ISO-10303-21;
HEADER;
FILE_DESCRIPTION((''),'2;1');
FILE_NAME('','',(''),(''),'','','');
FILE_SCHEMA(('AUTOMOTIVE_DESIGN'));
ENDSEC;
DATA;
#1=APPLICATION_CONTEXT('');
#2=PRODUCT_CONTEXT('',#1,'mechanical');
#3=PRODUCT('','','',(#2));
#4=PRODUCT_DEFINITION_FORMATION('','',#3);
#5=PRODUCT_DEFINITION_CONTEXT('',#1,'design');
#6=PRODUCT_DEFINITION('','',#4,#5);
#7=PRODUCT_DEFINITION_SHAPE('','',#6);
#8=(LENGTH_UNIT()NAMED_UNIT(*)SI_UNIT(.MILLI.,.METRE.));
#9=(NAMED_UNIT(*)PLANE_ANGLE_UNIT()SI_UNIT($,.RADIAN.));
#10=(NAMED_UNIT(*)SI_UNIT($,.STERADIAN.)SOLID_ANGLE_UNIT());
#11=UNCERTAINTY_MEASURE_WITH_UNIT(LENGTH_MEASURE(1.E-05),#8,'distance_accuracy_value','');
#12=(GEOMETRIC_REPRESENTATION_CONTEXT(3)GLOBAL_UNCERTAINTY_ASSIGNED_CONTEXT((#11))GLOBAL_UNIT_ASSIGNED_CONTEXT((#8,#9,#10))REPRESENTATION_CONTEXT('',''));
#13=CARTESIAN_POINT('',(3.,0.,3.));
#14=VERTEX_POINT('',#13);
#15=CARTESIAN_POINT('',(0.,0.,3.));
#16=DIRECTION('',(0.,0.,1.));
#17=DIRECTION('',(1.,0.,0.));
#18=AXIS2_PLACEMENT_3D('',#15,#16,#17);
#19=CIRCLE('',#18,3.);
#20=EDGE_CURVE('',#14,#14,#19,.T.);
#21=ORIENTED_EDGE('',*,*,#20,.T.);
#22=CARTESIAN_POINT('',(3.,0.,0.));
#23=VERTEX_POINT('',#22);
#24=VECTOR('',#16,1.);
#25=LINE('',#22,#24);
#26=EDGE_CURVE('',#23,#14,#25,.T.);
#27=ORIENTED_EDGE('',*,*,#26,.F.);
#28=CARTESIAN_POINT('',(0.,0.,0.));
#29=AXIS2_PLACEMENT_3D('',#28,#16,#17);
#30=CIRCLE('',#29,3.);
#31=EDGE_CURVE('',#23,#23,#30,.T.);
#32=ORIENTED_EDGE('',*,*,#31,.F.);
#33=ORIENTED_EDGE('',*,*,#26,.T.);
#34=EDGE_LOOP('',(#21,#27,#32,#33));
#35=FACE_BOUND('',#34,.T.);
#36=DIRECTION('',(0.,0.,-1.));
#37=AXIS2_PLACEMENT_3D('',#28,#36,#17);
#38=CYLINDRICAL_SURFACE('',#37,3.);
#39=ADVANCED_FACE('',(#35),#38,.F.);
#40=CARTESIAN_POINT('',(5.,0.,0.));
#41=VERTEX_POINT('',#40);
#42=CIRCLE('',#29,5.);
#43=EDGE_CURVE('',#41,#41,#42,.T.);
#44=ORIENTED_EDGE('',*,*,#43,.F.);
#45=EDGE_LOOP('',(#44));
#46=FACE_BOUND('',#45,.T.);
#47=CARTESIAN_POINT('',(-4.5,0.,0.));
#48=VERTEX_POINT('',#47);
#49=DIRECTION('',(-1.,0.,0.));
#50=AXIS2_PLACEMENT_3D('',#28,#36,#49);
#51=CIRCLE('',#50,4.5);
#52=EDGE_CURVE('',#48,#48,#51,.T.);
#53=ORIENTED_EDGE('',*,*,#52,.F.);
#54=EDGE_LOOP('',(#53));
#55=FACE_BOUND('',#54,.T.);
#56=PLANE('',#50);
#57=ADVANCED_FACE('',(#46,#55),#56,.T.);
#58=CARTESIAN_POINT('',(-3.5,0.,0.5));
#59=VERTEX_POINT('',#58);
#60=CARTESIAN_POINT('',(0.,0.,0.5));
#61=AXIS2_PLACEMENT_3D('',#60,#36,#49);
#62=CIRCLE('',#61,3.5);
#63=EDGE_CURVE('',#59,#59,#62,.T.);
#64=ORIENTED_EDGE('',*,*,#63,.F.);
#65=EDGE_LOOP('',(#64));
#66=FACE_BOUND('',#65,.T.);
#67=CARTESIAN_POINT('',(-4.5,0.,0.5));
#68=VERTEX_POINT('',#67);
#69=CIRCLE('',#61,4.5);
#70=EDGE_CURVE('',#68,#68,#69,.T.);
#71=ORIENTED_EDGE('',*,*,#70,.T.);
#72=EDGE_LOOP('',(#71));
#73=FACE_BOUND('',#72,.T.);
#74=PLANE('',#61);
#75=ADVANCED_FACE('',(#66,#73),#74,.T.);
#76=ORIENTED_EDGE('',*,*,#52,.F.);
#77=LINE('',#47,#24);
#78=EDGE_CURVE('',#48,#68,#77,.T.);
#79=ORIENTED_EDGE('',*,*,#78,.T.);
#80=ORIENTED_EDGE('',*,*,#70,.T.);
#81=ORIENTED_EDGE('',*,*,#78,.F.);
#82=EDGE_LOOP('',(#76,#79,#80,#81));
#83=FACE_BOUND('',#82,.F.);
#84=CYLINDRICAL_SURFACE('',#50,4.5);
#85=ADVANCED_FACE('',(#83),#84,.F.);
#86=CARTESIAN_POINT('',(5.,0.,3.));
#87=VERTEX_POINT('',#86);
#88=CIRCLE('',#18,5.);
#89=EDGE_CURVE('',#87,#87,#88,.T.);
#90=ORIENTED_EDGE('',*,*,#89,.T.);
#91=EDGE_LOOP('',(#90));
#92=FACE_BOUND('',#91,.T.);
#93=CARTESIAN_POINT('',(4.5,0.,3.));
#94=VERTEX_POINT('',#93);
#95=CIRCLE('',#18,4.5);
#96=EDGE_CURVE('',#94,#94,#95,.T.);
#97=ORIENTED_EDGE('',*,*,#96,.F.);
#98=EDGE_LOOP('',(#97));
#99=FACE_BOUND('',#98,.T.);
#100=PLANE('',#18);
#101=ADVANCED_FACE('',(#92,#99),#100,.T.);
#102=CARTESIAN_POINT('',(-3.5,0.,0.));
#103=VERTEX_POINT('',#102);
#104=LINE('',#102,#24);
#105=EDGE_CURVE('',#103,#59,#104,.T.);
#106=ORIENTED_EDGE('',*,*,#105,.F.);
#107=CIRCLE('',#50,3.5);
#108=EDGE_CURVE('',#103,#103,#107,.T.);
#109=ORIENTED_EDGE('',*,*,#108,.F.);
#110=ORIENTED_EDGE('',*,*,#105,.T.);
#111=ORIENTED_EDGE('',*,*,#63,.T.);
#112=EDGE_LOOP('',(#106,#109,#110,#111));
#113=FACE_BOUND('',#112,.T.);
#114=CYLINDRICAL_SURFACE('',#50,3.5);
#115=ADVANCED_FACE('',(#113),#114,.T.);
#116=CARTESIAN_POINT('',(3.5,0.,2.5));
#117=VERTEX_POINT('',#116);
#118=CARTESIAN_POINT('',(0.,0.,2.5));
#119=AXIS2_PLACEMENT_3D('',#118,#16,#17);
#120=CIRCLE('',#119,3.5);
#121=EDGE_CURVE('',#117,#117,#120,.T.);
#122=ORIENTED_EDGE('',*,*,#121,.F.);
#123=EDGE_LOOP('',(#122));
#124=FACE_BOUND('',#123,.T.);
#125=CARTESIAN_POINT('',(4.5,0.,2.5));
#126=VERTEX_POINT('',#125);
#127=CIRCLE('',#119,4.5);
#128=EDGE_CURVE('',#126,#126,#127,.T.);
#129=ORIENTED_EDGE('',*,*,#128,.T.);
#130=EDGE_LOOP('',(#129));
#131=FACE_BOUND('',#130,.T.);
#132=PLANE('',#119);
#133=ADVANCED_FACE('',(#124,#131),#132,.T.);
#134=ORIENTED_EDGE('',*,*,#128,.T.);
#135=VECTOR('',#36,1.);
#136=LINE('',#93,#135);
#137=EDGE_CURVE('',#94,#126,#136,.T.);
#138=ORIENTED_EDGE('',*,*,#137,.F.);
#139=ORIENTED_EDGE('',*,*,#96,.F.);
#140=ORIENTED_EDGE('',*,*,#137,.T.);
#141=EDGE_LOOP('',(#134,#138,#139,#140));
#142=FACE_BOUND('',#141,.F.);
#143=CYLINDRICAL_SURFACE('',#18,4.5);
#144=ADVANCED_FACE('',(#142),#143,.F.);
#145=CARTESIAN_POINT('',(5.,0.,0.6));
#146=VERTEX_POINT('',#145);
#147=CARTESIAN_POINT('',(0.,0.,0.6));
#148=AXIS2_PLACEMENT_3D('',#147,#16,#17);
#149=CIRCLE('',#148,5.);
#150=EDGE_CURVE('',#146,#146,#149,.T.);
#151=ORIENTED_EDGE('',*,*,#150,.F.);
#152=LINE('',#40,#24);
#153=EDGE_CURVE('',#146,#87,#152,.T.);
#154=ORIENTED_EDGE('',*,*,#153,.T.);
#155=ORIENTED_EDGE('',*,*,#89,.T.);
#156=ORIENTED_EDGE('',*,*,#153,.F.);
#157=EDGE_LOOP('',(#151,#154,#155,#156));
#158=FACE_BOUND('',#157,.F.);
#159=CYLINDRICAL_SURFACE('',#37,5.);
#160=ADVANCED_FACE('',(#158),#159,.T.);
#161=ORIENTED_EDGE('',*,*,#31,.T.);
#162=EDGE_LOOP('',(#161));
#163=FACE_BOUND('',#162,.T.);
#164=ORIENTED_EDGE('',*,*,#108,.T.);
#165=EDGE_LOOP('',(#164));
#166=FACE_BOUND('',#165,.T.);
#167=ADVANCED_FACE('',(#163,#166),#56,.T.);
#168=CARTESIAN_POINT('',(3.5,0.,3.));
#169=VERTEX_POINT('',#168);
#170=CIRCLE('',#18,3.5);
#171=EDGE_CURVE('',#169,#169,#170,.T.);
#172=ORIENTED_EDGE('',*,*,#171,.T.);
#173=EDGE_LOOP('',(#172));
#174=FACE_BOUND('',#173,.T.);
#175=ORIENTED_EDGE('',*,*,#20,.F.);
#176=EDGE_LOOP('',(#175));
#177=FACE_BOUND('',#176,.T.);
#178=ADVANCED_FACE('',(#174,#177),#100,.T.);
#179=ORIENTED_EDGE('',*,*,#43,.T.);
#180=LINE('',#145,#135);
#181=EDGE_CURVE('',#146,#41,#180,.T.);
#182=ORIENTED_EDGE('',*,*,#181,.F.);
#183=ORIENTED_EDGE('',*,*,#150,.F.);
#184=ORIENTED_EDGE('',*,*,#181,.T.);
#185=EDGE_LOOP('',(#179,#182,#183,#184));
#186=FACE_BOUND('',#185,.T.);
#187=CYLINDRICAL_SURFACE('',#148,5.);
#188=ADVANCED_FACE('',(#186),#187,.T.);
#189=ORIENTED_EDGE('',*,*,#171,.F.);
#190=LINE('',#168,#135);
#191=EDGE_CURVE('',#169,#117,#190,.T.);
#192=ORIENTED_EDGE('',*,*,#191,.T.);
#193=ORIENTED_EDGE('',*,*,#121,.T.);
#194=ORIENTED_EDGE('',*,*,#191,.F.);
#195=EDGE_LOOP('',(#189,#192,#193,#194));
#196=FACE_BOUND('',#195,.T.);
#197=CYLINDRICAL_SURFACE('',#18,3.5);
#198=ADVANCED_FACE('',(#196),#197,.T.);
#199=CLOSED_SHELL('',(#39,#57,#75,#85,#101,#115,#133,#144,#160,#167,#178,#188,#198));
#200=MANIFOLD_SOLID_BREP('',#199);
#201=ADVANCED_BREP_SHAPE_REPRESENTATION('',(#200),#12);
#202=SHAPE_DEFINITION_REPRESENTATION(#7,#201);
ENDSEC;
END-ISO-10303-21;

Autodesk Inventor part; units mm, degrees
ref_plane "YZ Plane" through (0, 0, 0) normal (1, 0, 0) x (0, 1, 0)
ref_plane "XZ Plane" through (0, 0, 0) normal (0, 1, 0) x (-1, 0, 0)
ref_plane "XY Plane" through (0, 0, 0) normal (0, 0, 1) x (1, 0, 0)
sketch "スケッチ1" plane through (0, 0, 0) normal (0, 0, 1) x (1, 0, 0)
  circle A0 centre (0, 0) radius 3
  circle A1 centre (0, 0) radius 5
  dimension "d0" = 6
  dimension "d1" = 10
extrude "押し出し1" add sketch "スケッチ1" along normal blind 3
sketch "スケッチ2" plane through (0, 0, 0) normal (0, 0, -1) x (-1, 0, 0)
  circle A0 centre (0, 0) radius 3 projected
  circle A1 centre (0, 0) radius 5 projected
  circle A2 centre (0, 0) radius 5.6
  dimension "d4" = 11.2
extrude "押し出し2" add sketch "スケッチ2" against normal blind 0.6 contours A2
sketch "スケッチ3" plane through (0, 0, 3) normal (0, 0, 1) x (1, 0, 0)
  circle A0 centre (0, 0) radius 3 projected
  circle A1 centre (0, 0) radius 5 projected
  circle A2 centre (0, 0) radius 4.5
  circle A3 centre (0, 0) radius 3.5
  dimension "d7" = 0.5
  dimension "d8" = 0.5
extrude "押し出し3" cut sketch "スケッチ3" against normal blind 0.5 contours A2
sketch "スケッチ4" plane through (0, 0, 0) normal (0, 0, -1) x (-1, 0, 0)
  circle A0 centre (0, 0) radius 3.5 projected
  circle A1 centre (0, 0) radius 4.5 projected
extrude "押し出し4" cut sketch "スケッチ4" against normal blind 0.5
sketch "スケッチ5" plane through (0, 0, 0) normal (0, 0, -1) x (-1, 0, 0)
  point P0 (0, 0)
sketch "スケッチ6" plane through (0, 0, 0.6) normal (0, 0, 1) x (1, 0, 0)
  circle A0 centre (0, 0) radius 5
  circle A1 centre (0, 0) radius 5.6
  dimension "d13" = 10
  dimension "d14" = 0.6
extrude "押し出し5" cut sketch "スケッチ6" against normal blind 0.6
properties part number "ベアリングHd6-D10-B3F無し甲" material "鋼、炭素鋼"
